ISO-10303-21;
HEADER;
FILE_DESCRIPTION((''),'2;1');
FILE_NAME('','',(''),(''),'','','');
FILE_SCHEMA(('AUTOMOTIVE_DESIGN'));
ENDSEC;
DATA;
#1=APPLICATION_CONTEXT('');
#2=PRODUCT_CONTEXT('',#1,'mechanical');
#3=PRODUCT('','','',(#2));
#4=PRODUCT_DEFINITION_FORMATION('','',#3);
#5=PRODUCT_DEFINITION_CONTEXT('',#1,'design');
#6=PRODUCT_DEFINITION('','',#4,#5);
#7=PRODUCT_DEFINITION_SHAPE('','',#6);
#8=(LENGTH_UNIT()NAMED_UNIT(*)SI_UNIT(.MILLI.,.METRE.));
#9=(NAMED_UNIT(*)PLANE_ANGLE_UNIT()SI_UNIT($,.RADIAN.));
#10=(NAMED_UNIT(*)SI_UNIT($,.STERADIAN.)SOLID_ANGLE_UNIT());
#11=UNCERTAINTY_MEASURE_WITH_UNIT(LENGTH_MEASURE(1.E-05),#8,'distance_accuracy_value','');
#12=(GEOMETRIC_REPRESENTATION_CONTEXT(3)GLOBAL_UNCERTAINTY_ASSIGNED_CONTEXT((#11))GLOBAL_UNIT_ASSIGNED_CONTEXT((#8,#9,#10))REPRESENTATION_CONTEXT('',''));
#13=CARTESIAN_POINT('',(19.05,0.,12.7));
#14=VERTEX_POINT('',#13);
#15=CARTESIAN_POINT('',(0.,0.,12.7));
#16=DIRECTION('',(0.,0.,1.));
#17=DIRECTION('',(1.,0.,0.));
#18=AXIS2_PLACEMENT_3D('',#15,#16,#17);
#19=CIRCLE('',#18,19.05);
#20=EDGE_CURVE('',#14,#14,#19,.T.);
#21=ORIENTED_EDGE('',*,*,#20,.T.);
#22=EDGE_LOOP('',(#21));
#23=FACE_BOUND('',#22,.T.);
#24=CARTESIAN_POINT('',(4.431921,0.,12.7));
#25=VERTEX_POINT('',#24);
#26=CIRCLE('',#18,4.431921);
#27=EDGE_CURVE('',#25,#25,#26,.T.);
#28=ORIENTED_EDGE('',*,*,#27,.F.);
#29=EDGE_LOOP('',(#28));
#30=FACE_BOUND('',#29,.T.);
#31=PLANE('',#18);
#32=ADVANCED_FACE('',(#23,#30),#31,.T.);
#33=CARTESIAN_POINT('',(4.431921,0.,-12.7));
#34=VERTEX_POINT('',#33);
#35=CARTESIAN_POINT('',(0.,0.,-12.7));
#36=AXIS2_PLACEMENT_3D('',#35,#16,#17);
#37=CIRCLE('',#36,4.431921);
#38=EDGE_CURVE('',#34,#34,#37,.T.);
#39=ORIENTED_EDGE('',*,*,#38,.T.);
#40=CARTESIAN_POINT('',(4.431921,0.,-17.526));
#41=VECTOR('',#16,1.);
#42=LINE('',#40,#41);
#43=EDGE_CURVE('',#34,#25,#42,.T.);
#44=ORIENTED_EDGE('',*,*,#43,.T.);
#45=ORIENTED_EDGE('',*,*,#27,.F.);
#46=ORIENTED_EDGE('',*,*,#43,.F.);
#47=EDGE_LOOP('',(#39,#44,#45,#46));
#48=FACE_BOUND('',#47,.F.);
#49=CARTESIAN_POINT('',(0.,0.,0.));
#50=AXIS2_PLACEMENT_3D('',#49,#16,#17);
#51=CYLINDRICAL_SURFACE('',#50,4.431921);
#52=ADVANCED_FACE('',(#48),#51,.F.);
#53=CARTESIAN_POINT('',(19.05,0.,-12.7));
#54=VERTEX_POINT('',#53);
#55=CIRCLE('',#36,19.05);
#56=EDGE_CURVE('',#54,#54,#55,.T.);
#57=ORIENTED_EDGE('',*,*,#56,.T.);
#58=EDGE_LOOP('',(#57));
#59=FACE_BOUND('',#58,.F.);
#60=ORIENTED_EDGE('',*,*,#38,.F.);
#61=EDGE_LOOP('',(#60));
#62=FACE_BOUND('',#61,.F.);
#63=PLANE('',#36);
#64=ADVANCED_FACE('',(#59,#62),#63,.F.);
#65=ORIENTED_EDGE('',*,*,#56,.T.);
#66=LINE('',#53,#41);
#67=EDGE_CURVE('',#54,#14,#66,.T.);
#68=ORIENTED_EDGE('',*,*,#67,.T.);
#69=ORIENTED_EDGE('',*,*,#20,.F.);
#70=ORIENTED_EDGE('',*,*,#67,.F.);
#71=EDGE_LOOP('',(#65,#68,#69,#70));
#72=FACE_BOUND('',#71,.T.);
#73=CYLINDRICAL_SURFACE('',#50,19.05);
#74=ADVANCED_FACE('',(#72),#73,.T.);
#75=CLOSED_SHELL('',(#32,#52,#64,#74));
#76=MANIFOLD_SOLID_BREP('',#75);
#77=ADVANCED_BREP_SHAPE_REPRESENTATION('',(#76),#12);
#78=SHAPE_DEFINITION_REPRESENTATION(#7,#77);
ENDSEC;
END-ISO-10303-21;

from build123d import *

# Parameters (mm, degrees)
F0_R     = 19.05
F1_DEPTH = 12.7
F2_R     = 4.431921
F3_DEPTH = 17.526


with BuildPart() as f1:
    # F0 (on Top) → F1 (new body, symmetric)
    with BuildSketch(Plane.XY):
        Circle(F0_R)
    extrude(amount=F1_DEPTH, both=True)

    # F2 (on Top) → F3 (cut, symmetric)
    with BuildSketch(Plane.XY):
        Circle(F2_R)
    extrude(amount=F3_DEPTH, both=True, mode=Mode.SUBTRACT)


solid = f1.part
